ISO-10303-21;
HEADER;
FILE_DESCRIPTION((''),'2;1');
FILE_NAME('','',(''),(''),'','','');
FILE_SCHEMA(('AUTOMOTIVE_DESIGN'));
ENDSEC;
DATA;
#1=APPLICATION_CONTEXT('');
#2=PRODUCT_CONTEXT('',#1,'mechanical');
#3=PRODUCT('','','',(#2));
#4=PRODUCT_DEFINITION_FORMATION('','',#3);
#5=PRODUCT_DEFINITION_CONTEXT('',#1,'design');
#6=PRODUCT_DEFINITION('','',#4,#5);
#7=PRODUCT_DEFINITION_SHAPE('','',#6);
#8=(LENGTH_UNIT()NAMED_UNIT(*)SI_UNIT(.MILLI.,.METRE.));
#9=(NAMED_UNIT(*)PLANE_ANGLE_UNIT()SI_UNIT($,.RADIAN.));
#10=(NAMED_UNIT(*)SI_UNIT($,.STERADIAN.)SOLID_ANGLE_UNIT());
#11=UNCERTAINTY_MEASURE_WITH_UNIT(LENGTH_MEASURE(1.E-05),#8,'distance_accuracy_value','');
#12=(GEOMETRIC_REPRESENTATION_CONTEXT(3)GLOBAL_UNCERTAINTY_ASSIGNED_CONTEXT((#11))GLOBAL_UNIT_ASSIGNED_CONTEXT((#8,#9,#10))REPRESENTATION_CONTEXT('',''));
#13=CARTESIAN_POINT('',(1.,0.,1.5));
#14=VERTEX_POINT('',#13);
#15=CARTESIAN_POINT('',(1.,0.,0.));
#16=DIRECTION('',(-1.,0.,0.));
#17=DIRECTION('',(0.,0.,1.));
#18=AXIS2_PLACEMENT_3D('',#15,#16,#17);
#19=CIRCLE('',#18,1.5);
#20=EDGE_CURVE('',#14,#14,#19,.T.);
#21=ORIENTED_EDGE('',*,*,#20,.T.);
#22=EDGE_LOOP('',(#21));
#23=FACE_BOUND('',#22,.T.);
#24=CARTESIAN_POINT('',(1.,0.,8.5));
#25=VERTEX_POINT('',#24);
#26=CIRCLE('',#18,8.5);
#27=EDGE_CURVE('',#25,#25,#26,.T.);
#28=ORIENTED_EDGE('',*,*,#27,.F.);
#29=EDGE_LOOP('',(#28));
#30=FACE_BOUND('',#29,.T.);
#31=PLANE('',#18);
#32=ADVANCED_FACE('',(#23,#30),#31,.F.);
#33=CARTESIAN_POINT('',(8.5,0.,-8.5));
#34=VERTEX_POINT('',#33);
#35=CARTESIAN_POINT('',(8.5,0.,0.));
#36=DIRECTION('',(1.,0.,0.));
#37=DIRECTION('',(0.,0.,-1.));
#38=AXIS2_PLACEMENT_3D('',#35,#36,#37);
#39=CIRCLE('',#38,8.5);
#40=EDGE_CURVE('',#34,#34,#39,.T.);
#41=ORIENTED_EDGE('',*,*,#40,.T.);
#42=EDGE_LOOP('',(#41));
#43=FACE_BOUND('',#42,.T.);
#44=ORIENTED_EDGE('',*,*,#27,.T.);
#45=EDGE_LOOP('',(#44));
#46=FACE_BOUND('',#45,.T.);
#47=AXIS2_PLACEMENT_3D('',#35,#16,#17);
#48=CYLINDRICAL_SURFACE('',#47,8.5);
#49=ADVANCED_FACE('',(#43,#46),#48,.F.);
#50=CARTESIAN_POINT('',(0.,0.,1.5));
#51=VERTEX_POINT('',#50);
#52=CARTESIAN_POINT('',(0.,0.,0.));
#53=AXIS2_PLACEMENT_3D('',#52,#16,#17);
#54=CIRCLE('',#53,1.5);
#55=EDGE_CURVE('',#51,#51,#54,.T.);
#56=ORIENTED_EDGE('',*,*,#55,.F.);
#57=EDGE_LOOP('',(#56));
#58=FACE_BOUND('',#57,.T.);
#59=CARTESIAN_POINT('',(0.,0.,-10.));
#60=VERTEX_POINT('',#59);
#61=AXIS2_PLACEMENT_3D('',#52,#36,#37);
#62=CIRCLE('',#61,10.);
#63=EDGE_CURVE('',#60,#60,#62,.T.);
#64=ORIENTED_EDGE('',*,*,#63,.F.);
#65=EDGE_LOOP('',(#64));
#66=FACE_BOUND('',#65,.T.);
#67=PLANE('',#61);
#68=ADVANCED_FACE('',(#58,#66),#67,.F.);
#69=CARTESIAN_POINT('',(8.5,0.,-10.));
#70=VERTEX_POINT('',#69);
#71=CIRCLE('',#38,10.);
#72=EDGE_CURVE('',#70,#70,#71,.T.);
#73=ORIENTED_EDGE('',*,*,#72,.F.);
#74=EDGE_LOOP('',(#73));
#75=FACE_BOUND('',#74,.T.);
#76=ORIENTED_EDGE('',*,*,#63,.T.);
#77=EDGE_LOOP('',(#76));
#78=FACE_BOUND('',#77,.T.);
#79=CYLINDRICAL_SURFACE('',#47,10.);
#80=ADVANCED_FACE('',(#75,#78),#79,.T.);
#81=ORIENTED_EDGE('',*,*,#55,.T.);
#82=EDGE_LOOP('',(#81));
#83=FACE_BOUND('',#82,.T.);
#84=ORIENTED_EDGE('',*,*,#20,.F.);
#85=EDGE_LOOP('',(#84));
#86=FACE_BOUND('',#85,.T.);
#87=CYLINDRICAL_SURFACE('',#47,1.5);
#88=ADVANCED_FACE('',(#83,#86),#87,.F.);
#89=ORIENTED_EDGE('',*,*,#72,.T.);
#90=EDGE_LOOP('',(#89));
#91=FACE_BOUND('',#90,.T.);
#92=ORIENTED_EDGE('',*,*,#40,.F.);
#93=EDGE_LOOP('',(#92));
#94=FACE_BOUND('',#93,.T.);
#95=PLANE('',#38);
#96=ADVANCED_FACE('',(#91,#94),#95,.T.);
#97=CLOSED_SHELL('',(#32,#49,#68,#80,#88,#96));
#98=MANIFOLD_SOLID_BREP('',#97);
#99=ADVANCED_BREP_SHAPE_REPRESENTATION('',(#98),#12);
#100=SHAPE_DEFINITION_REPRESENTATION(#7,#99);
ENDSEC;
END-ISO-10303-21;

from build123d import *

# Parameters (mm, degrees)
SKETCH_1_R          = 10
SKETCH_1_R_2        = 8.5
EXTRUDE_1_DEPTH     = 8.5
SKETCH_2_R          = 8.5
EXTRUDE_2_DEPTH     = 1
SKETCH_7_R          = 1.5
CUT_EXTRUDE_3_DEPTH = 17.5


with BuildPart() as part:
    # ｽｹｯﾁ1 → ﾎﾞｽ - 押し出し1 (new body)
    with BuildSketch(Plane.YZ):
        with Locations(Location((0, 0, 0), (0, 0, 270))):
            Circle(SKETCH_1_R)
        with Locations(Location((0, 0, 0), (0, 0, 270))):
            Circle(SKETCH_1_R_2, mode=Mode.SUBTRACT)
    extrude(amount=EXTRUDE_1_DEPTH)

    # ｽｹｯﾁ2 → ﾎﾞｽ - 押し出し2 (add)
    with BuildSketch(Plane(origin=(0, 0, 0), x_dir=(0, -1, 0), z_dir=(-1, 0, 0))):
        with Locations(Location((0, 0, 0), (0, 0, 90))):
            Circle(SKETCH_2_R)
    extrude(amount=-EXTRUDE_2_DEPTH)

    # ｽｹｯﾁ7 → ｶｯﾄ - 押し出し3 (cut, through all)
    with BuildSketch(Plane(origin=(0, 0, 0), x_dir=(0, -1, 0), z_dir=(-1, 0, 0))):
        with Locations(Location((0, 0, 0), (0, 0, 90))):
            Circle(SKETCH_7_R)
    extrude(amount=-CUT_EXTRUDE_3_DEPTH, mode=Mode.SUBTRACT)


solid = part.part
